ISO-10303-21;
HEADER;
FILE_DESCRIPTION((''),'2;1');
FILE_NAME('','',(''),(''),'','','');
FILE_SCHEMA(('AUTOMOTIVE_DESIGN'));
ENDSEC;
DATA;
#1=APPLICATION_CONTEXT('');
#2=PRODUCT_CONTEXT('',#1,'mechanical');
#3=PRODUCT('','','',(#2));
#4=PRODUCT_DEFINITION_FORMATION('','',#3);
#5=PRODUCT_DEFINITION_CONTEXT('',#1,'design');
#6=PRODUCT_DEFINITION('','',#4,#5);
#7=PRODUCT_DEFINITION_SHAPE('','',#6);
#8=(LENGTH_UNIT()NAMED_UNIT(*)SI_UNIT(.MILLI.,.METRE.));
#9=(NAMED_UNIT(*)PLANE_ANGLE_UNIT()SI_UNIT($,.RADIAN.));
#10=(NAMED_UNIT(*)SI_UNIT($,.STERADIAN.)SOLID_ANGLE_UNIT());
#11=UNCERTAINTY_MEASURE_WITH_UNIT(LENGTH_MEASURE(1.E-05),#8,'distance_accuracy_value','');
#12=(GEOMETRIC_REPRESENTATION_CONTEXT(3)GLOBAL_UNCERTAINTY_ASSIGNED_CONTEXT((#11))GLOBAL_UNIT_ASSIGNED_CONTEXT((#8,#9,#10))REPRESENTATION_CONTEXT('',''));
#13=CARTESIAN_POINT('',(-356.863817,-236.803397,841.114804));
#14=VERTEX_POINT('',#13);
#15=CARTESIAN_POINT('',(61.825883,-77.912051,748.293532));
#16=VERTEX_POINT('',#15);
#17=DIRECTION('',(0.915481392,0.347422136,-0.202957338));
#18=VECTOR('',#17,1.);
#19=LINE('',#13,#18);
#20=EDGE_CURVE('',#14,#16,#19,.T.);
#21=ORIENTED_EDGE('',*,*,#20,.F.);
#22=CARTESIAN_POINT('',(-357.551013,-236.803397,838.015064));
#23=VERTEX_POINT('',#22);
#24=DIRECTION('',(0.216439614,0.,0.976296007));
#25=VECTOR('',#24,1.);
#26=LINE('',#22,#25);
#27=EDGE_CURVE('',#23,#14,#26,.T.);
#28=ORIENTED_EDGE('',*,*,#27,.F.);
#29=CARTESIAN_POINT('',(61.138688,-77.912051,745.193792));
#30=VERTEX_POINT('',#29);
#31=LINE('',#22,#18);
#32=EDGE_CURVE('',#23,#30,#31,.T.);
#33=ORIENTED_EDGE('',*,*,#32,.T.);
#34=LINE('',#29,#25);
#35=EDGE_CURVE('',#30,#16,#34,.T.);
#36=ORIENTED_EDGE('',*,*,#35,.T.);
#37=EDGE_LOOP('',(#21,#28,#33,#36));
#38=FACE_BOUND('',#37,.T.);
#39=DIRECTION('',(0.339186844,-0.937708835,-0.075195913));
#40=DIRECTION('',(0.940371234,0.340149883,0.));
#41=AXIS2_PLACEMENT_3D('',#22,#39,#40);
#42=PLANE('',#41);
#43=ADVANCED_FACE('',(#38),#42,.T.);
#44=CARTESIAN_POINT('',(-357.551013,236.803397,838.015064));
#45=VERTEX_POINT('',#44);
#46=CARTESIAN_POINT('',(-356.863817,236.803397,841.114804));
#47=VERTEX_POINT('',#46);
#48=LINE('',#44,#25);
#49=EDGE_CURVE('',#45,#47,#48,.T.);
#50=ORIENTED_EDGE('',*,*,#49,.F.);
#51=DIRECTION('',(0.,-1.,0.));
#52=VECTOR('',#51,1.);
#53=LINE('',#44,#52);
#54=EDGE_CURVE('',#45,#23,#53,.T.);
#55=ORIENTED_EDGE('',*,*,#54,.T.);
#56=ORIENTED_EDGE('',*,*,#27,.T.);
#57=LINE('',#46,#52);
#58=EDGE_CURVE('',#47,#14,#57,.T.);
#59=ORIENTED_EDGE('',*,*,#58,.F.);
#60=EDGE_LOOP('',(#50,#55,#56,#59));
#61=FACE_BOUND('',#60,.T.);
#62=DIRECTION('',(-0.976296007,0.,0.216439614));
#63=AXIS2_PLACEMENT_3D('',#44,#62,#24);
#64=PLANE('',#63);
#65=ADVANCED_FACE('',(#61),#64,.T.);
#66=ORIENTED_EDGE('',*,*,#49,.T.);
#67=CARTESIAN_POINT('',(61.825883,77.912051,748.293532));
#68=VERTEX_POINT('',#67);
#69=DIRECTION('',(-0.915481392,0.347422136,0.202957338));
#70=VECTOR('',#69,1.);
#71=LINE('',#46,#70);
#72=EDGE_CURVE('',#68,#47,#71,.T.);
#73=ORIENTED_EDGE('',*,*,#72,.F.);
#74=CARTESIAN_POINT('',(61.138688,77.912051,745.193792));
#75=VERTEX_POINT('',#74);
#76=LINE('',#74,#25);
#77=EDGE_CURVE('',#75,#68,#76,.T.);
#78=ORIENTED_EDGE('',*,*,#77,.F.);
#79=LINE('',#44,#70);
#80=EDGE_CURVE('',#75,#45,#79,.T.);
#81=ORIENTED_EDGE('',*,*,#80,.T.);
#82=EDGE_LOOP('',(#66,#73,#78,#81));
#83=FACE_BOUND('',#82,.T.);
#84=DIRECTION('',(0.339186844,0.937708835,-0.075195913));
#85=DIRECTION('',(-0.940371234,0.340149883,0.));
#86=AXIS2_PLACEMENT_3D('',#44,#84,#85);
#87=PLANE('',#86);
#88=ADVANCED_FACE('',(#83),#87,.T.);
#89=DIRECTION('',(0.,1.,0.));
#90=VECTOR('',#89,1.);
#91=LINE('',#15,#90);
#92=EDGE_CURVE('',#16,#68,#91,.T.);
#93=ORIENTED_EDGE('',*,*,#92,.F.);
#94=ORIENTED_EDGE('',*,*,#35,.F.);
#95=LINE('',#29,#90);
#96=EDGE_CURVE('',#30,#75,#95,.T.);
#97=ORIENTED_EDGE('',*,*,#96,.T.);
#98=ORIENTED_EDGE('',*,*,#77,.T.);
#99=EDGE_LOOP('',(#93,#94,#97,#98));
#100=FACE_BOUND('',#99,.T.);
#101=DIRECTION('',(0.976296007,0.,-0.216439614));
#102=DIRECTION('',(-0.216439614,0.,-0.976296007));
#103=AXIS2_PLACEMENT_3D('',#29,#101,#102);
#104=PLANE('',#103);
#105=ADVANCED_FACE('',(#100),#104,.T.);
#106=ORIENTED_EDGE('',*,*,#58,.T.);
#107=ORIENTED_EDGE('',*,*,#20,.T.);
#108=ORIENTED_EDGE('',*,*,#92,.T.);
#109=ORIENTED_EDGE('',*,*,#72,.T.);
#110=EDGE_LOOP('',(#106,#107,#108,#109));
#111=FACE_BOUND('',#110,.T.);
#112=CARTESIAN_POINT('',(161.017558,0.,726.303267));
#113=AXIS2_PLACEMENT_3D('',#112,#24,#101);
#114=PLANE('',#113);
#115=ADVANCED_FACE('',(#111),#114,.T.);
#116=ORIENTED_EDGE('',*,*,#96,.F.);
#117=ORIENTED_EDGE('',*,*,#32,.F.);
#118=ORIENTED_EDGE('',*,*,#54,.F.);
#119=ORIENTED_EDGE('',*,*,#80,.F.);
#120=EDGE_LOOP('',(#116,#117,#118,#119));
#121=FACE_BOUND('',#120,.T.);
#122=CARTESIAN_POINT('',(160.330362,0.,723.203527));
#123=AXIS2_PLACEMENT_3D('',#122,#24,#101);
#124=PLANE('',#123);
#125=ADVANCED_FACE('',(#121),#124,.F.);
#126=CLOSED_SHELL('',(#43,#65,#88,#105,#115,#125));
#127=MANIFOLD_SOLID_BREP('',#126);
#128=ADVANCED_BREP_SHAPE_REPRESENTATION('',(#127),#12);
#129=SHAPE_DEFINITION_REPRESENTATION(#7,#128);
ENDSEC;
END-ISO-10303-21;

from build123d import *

# Parameters (mm, degrees)
BOSS_EXTRUDE1_DEPTH = 3.175


with BuildPart() as part:
    # Sketch1 → Boss-Extrude1 (new body)
    with BuildSketch(Plane(origin=(161.017557723, 0, 726.303266861), x_dir=(0, 1, 0), z_dir=(0.2164396139381031, 0, 0.9762960071199334))):
        Polygon((236.803396725, 530.4552833), (-236.803396725, 530.4552833), (-77.912051321, 101.6), (77.912051321, 101.6), align=None)
    extrude(amount=-BOSS_EXTRUDE1_DEPTH)


solid = part.part
